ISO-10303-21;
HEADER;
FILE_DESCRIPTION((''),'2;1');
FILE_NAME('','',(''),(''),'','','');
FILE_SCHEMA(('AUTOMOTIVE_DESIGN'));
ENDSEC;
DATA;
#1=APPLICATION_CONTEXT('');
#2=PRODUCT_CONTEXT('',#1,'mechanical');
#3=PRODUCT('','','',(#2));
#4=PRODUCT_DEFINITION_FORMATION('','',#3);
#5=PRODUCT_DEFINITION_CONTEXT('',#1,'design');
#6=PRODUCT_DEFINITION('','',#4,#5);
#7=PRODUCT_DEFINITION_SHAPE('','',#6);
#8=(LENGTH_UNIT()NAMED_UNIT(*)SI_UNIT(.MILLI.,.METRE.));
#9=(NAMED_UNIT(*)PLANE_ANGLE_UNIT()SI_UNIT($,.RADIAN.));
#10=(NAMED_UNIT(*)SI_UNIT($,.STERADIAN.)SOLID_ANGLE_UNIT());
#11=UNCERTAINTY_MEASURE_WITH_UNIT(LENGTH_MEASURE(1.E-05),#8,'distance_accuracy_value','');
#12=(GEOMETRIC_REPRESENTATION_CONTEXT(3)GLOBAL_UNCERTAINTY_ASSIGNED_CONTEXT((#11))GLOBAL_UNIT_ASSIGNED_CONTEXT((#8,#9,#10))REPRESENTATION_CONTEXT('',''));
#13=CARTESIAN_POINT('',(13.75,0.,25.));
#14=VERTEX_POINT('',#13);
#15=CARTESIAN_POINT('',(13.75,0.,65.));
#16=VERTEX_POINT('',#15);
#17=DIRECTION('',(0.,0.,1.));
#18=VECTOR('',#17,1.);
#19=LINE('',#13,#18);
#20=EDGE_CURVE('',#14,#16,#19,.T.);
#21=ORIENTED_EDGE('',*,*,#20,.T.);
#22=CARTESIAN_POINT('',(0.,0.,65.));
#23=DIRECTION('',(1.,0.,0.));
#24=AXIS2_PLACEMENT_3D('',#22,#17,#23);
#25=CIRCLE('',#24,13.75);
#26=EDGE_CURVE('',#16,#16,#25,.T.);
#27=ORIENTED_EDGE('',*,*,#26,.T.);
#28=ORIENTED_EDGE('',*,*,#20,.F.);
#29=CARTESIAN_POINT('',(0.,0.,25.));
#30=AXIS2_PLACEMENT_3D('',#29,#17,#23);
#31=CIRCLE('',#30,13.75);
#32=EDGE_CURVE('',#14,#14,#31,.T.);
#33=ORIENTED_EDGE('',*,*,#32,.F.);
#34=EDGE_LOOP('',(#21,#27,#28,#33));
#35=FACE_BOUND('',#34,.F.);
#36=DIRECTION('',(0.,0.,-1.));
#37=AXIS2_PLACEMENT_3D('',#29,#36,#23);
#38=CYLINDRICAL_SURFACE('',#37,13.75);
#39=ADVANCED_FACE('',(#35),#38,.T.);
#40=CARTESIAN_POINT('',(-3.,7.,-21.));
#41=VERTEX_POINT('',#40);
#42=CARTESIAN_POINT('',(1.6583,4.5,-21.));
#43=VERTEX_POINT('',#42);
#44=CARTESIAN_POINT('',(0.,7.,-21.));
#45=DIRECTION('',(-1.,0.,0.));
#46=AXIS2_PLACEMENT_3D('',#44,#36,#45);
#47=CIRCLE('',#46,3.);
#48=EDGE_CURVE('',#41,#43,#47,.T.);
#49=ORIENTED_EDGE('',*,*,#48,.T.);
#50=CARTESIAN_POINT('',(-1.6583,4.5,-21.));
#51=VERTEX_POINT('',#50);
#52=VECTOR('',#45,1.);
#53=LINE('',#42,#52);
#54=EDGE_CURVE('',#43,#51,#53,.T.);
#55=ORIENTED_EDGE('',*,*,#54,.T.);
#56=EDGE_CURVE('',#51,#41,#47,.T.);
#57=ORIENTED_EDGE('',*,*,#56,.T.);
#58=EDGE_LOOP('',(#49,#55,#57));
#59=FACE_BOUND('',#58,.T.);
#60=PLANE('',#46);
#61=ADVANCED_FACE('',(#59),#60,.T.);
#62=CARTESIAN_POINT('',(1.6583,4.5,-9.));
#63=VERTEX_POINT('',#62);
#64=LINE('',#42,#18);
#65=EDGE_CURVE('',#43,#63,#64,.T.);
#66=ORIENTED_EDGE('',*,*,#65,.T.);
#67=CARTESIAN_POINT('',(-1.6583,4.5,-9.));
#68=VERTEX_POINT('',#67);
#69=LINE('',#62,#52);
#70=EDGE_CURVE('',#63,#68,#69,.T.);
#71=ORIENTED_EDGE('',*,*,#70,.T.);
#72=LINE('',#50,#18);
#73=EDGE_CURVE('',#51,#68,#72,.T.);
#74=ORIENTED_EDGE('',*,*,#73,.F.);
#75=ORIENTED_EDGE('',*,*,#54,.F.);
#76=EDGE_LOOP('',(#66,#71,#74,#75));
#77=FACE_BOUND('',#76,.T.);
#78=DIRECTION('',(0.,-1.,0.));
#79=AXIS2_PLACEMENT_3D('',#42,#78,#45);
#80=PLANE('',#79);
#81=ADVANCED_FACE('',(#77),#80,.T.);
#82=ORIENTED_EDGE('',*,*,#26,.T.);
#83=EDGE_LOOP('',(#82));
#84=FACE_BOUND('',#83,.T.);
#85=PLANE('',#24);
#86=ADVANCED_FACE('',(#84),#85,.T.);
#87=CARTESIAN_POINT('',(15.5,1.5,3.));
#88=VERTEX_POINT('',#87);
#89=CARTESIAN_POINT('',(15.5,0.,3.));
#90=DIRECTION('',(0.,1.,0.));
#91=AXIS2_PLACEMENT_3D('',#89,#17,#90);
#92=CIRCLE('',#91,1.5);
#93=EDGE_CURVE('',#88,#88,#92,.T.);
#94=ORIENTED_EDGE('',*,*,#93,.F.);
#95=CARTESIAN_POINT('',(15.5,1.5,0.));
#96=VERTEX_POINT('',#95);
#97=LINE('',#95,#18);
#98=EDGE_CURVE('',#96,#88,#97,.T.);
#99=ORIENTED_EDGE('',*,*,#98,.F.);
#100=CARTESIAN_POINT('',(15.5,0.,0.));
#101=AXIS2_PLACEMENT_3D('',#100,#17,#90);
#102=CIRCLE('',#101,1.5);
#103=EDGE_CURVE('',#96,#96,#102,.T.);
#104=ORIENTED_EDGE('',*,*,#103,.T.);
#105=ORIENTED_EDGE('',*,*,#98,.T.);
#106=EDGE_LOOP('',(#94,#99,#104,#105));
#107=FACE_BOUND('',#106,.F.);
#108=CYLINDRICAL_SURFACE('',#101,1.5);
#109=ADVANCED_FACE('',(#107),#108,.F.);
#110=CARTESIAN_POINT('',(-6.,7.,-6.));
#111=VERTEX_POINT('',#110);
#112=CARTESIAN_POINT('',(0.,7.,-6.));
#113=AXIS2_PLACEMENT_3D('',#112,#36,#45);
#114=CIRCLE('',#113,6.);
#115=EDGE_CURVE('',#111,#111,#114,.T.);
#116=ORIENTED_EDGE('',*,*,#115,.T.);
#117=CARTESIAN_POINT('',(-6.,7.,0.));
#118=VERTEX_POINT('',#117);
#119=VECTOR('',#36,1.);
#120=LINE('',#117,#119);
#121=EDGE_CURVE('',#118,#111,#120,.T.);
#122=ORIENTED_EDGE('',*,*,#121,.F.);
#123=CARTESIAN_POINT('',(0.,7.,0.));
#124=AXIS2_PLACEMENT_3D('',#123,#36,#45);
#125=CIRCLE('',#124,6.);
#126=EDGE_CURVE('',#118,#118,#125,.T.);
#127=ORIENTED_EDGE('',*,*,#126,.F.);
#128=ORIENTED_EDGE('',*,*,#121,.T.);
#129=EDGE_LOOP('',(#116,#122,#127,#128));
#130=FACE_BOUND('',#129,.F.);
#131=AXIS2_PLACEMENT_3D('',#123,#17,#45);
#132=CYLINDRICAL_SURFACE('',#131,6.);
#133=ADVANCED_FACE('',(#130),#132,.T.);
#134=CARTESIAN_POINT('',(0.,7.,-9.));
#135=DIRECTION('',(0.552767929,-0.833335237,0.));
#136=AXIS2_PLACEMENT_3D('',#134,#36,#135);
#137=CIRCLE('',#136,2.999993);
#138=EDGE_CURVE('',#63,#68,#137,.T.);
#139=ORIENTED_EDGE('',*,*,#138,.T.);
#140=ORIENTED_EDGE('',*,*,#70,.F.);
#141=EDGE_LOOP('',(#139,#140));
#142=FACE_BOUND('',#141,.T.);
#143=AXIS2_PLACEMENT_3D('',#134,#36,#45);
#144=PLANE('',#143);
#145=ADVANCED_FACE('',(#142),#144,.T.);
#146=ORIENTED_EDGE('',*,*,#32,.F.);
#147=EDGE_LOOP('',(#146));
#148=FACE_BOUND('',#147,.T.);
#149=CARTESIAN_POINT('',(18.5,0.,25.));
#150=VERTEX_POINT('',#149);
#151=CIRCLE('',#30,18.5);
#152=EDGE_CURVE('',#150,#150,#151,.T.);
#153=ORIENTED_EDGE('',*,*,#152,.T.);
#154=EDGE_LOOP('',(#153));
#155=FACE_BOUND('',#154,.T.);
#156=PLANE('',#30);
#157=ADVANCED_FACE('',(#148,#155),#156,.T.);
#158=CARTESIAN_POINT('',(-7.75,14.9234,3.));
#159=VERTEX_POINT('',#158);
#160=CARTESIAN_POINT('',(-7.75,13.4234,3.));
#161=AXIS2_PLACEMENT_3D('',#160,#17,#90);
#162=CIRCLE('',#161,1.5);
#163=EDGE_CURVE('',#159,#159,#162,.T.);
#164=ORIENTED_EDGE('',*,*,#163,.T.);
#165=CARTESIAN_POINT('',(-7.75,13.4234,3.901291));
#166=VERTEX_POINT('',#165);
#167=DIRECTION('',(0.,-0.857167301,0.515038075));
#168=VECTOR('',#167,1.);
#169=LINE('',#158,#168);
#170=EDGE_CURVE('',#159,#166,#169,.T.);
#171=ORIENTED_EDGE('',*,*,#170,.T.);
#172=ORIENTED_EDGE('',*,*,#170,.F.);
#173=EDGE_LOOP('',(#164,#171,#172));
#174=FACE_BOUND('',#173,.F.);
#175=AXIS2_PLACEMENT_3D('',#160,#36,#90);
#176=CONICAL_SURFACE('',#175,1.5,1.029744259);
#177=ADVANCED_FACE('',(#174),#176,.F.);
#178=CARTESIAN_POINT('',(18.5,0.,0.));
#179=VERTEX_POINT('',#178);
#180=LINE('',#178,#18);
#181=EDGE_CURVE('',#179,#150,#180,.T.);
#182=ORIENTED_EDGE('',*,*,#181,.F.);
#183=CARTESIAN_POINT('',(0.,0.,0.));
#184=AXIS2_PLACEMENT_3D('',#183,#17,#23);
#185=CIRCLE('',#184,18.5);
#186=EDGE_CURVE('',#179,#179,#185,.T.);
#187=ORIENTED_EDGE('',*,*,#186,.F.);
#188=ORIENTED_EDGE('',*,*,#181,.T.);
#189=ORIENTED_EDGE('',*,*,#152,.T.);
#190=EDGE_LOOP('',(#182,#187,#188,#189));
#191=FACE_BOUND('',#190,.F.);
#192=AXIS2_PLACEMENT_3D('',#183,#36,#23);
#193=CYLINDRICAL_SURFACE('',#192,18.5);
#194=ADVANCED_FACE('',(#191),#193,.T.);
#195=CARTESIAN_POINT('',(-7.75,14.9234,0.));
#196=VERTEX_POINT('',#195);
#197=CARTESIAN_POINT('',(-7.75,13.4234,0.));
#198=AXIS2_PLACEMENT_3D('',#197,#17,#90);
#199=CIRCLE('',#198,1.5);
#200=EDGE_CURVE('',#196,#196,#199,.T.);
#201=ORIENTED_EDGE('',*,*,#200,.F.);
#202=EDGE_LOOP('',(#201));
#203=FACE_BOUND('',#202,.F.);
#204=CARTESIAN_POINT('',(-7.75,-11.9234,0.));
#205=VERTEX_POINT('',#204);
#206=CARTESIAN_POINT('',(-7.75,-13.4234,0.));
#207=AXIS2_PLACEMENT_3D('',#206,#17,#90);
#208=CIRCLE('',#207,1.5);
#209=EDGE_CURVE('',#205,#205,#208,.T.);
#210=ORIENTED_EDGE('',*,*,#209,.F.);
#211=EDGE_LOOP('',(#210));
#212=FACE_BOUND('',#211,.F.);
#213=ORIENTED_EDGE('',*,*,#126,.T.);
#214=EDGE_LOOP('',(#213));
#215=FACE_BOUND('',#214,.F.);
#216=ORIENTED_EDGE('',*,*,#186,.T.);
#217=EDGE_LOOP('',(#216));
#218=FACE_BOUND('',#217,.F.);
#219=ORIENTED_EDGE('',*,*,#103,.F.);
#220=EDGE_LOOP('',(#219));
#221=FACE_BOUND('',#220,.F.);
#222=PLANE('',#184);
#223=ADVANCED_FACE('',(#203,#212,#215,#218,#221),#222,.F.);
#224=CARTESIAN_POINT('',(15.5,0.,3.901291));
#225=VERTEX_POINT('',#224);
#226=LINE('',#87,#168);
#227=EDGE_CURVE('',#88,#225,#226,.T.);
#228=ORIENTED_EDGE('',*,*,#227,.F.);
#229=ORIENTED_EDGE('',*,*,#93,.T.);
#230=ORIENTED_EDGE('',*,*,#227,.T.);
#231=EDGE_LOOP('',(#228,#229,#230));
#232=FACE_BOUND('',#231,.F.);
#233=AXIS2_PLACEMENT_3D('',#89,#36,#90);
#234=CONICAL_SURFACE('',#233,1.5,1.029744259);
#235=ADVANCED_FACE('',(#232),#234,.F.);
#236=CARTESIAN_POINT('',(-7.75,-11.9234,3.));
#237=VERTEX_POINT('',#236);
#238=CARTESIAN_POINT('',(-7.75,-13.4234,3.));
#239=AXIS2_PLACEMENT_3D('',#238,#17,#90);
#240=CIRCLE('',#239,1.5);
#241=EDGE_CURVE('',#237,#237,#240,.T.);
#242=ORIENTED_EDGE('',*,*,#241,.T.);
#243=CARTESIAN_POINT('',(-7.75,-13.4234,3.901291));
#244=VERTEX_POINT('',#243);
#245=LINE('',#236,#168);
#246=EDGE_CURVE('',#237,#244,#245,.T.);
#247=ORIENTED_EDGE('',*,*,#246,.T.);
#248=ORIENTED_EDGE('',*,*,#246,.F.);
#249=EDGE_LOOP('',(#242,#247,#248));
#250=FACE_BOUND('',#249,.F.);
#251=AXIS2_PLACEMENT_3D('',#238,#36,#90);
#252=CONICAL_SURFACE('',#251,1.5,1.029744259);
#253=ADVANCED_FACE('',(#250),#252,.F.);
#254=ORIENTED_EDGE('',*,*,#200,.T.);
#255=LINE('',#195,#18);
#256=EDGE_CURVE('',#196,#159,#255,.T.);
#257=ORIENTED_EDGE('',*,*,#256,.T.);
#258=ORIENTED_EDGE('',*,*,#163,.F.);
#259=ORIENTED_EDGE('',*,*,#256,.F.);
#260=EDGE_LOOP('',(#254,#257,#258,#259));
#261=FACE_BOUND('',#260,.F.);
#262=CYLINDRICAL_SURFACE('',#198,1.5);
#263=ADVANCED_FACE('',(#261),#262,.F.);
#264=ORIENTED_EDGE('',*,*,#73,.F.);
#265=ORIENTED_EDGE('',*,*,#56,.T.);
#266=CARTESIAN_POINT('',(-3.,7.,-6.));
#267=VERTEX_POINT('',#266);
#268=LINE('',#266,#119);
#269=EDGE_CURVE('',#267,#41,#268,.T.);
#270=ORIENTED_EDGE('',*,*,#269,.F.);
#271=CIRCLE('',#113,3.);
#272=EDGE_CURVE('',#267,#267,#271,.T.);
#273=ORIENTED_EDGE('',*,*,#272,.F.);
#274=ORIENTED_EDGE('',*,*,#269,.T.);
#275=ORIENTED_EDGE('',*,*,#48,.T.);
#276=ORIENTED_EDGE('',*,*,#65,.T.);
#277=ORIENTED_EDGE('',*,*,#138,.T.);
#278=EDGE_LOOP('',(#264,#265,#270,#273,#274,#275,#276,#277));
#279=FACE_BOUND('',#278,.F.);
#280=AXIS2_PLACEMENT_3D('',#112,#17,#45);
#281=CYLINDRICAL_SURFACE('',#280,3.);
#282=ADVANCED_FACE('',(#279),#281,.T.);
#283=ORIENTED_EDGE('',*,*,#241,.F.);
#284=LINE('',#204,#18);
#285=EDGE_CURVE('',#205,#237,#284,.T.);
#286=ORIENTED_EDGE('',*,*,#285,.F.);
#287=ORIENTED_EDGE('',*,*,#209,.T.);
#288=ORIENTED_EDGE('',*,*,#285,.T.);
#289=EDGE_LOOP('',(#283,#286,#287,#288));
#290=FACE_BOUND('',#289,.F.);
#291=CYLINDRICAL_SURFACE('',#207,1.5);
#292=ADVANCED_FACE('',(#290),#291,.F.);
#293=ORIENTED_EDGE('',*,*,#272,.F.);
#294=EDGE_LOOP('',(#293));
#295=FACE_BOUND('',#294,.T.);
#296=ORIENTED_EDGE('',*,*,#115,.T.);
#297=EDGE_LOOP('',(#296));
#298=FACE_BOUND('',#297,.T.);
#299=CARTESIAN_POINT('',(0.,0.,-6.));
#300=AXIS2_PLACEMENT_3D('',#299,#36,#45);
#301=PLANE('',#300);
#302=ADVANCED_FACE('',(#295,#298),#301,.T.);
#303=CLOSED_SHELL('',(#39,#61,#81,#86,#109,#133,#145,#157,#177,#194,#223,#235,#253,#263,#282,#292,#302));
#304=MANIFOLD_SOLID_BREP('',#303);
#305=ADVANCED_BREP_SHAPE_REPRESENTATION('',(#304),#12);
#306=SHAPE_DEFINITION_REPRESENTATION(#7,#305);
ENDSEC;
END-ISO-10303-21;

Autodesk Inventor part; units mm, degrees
ref_plane "YZ Plane" through (0, 0, 0) normal (1, 0, 0) x (0, 1, 0)
ref_plane "XZ Plane" through (0, 0, 0) normal (0, 1, 0) x (-1, 0, 0)
sketch "スケッチ1" plane through (0, 0, 0) normal (0, 0, 1) x (1, 0, 0)
  circle A0 centre (0, 0) radius 18.5
  dimension "d0" = 37
extrude "押し出し1" add sketch "スケッチ1" along normal blind 25
sketch "スケッチ2" plane through (0, 0, 25) normal (0, 0, 1) x (1, 0, 0)
  circle A0 centre (0, 0) radius 13.75
  dimension "d3" = 27.5
extrude "押し出し2" add sketch "スケッチ2" along normal blind 40
sketch "スケッチ3" plane through (0, 0, 0) normal (0, 0, -1) x (-1, 0, 0)
  circle A0 centre (0, 0) radius 18.5 projected
  circle A1 centre (0, 7) radius 6
  dimension "d6" = 12
  dimension "d7" = 7
extrude "押し出し3" add sketch "スケッチ3" along normal blind 6 contours A1
sketch "スケッチ4" plane through (0, 7, -6) normal (0, 0, -1) x (-1, 0, 0)
  circle A0 centre (0, 0) radius 3
  point P0 (0, -7)
  dimension "d10" = 6
extrude "押し出し4" add sketch "スケッチ4" along normal blind 15
sketch "スケッチ5" plane through (0, 0, 0) normal (0, 0, -1) x (-1, 0, 0)
  circle A0 centre (0, 0) radius 18.5 projected
  circle A1 centre (0, 0) radius 15.5
  line L0 (0, 0) -> (-15.5, 0)
  line L1 (7.75, 13.4234) -> (0, 0)
  line L2 (0, 0) -> (7.75, -13.4234)
  point P0 (-15.5, 0)
  point P1 (7.75, -13.4234)
  dimension "d13" = 31
  dimension "d14" = 120
  dimension "d15" = 120
hole "Hole1" at (15.5, 0, 0) at (-7.75, -13.4234, 0) at (-7.75, 13.4234, 0) direction (0, 0, 1) diameter 3 depth 3 tip angle 118
ref_plane "作業平面1" through (0, 0, 0) normal (1, 0, 0) x (0, 0.3162, -0.9487)
sketch "スケッチ6" plane through (0, 7, -21) normal (0, 0, -1) x (-1, 0, 0)
  arc A0 (-1.6583, -2.5) -> (1.6583, -2.5) centre (0, 0) ccw
  circle A1 centre (0, 0) radius 3 projected
  line L0 (-1.6583, -2.5) -> (1.6583, -2.5)
  line L1 (0, 0) -> (-3, 0)
  point P0 (0, -7)
  dimension "d23" = 2.5
extrude "押し出し5" cut sketch "スケッチ6" against normal blind 12 contours L0 A0
properties part number "rs380ph_36"
